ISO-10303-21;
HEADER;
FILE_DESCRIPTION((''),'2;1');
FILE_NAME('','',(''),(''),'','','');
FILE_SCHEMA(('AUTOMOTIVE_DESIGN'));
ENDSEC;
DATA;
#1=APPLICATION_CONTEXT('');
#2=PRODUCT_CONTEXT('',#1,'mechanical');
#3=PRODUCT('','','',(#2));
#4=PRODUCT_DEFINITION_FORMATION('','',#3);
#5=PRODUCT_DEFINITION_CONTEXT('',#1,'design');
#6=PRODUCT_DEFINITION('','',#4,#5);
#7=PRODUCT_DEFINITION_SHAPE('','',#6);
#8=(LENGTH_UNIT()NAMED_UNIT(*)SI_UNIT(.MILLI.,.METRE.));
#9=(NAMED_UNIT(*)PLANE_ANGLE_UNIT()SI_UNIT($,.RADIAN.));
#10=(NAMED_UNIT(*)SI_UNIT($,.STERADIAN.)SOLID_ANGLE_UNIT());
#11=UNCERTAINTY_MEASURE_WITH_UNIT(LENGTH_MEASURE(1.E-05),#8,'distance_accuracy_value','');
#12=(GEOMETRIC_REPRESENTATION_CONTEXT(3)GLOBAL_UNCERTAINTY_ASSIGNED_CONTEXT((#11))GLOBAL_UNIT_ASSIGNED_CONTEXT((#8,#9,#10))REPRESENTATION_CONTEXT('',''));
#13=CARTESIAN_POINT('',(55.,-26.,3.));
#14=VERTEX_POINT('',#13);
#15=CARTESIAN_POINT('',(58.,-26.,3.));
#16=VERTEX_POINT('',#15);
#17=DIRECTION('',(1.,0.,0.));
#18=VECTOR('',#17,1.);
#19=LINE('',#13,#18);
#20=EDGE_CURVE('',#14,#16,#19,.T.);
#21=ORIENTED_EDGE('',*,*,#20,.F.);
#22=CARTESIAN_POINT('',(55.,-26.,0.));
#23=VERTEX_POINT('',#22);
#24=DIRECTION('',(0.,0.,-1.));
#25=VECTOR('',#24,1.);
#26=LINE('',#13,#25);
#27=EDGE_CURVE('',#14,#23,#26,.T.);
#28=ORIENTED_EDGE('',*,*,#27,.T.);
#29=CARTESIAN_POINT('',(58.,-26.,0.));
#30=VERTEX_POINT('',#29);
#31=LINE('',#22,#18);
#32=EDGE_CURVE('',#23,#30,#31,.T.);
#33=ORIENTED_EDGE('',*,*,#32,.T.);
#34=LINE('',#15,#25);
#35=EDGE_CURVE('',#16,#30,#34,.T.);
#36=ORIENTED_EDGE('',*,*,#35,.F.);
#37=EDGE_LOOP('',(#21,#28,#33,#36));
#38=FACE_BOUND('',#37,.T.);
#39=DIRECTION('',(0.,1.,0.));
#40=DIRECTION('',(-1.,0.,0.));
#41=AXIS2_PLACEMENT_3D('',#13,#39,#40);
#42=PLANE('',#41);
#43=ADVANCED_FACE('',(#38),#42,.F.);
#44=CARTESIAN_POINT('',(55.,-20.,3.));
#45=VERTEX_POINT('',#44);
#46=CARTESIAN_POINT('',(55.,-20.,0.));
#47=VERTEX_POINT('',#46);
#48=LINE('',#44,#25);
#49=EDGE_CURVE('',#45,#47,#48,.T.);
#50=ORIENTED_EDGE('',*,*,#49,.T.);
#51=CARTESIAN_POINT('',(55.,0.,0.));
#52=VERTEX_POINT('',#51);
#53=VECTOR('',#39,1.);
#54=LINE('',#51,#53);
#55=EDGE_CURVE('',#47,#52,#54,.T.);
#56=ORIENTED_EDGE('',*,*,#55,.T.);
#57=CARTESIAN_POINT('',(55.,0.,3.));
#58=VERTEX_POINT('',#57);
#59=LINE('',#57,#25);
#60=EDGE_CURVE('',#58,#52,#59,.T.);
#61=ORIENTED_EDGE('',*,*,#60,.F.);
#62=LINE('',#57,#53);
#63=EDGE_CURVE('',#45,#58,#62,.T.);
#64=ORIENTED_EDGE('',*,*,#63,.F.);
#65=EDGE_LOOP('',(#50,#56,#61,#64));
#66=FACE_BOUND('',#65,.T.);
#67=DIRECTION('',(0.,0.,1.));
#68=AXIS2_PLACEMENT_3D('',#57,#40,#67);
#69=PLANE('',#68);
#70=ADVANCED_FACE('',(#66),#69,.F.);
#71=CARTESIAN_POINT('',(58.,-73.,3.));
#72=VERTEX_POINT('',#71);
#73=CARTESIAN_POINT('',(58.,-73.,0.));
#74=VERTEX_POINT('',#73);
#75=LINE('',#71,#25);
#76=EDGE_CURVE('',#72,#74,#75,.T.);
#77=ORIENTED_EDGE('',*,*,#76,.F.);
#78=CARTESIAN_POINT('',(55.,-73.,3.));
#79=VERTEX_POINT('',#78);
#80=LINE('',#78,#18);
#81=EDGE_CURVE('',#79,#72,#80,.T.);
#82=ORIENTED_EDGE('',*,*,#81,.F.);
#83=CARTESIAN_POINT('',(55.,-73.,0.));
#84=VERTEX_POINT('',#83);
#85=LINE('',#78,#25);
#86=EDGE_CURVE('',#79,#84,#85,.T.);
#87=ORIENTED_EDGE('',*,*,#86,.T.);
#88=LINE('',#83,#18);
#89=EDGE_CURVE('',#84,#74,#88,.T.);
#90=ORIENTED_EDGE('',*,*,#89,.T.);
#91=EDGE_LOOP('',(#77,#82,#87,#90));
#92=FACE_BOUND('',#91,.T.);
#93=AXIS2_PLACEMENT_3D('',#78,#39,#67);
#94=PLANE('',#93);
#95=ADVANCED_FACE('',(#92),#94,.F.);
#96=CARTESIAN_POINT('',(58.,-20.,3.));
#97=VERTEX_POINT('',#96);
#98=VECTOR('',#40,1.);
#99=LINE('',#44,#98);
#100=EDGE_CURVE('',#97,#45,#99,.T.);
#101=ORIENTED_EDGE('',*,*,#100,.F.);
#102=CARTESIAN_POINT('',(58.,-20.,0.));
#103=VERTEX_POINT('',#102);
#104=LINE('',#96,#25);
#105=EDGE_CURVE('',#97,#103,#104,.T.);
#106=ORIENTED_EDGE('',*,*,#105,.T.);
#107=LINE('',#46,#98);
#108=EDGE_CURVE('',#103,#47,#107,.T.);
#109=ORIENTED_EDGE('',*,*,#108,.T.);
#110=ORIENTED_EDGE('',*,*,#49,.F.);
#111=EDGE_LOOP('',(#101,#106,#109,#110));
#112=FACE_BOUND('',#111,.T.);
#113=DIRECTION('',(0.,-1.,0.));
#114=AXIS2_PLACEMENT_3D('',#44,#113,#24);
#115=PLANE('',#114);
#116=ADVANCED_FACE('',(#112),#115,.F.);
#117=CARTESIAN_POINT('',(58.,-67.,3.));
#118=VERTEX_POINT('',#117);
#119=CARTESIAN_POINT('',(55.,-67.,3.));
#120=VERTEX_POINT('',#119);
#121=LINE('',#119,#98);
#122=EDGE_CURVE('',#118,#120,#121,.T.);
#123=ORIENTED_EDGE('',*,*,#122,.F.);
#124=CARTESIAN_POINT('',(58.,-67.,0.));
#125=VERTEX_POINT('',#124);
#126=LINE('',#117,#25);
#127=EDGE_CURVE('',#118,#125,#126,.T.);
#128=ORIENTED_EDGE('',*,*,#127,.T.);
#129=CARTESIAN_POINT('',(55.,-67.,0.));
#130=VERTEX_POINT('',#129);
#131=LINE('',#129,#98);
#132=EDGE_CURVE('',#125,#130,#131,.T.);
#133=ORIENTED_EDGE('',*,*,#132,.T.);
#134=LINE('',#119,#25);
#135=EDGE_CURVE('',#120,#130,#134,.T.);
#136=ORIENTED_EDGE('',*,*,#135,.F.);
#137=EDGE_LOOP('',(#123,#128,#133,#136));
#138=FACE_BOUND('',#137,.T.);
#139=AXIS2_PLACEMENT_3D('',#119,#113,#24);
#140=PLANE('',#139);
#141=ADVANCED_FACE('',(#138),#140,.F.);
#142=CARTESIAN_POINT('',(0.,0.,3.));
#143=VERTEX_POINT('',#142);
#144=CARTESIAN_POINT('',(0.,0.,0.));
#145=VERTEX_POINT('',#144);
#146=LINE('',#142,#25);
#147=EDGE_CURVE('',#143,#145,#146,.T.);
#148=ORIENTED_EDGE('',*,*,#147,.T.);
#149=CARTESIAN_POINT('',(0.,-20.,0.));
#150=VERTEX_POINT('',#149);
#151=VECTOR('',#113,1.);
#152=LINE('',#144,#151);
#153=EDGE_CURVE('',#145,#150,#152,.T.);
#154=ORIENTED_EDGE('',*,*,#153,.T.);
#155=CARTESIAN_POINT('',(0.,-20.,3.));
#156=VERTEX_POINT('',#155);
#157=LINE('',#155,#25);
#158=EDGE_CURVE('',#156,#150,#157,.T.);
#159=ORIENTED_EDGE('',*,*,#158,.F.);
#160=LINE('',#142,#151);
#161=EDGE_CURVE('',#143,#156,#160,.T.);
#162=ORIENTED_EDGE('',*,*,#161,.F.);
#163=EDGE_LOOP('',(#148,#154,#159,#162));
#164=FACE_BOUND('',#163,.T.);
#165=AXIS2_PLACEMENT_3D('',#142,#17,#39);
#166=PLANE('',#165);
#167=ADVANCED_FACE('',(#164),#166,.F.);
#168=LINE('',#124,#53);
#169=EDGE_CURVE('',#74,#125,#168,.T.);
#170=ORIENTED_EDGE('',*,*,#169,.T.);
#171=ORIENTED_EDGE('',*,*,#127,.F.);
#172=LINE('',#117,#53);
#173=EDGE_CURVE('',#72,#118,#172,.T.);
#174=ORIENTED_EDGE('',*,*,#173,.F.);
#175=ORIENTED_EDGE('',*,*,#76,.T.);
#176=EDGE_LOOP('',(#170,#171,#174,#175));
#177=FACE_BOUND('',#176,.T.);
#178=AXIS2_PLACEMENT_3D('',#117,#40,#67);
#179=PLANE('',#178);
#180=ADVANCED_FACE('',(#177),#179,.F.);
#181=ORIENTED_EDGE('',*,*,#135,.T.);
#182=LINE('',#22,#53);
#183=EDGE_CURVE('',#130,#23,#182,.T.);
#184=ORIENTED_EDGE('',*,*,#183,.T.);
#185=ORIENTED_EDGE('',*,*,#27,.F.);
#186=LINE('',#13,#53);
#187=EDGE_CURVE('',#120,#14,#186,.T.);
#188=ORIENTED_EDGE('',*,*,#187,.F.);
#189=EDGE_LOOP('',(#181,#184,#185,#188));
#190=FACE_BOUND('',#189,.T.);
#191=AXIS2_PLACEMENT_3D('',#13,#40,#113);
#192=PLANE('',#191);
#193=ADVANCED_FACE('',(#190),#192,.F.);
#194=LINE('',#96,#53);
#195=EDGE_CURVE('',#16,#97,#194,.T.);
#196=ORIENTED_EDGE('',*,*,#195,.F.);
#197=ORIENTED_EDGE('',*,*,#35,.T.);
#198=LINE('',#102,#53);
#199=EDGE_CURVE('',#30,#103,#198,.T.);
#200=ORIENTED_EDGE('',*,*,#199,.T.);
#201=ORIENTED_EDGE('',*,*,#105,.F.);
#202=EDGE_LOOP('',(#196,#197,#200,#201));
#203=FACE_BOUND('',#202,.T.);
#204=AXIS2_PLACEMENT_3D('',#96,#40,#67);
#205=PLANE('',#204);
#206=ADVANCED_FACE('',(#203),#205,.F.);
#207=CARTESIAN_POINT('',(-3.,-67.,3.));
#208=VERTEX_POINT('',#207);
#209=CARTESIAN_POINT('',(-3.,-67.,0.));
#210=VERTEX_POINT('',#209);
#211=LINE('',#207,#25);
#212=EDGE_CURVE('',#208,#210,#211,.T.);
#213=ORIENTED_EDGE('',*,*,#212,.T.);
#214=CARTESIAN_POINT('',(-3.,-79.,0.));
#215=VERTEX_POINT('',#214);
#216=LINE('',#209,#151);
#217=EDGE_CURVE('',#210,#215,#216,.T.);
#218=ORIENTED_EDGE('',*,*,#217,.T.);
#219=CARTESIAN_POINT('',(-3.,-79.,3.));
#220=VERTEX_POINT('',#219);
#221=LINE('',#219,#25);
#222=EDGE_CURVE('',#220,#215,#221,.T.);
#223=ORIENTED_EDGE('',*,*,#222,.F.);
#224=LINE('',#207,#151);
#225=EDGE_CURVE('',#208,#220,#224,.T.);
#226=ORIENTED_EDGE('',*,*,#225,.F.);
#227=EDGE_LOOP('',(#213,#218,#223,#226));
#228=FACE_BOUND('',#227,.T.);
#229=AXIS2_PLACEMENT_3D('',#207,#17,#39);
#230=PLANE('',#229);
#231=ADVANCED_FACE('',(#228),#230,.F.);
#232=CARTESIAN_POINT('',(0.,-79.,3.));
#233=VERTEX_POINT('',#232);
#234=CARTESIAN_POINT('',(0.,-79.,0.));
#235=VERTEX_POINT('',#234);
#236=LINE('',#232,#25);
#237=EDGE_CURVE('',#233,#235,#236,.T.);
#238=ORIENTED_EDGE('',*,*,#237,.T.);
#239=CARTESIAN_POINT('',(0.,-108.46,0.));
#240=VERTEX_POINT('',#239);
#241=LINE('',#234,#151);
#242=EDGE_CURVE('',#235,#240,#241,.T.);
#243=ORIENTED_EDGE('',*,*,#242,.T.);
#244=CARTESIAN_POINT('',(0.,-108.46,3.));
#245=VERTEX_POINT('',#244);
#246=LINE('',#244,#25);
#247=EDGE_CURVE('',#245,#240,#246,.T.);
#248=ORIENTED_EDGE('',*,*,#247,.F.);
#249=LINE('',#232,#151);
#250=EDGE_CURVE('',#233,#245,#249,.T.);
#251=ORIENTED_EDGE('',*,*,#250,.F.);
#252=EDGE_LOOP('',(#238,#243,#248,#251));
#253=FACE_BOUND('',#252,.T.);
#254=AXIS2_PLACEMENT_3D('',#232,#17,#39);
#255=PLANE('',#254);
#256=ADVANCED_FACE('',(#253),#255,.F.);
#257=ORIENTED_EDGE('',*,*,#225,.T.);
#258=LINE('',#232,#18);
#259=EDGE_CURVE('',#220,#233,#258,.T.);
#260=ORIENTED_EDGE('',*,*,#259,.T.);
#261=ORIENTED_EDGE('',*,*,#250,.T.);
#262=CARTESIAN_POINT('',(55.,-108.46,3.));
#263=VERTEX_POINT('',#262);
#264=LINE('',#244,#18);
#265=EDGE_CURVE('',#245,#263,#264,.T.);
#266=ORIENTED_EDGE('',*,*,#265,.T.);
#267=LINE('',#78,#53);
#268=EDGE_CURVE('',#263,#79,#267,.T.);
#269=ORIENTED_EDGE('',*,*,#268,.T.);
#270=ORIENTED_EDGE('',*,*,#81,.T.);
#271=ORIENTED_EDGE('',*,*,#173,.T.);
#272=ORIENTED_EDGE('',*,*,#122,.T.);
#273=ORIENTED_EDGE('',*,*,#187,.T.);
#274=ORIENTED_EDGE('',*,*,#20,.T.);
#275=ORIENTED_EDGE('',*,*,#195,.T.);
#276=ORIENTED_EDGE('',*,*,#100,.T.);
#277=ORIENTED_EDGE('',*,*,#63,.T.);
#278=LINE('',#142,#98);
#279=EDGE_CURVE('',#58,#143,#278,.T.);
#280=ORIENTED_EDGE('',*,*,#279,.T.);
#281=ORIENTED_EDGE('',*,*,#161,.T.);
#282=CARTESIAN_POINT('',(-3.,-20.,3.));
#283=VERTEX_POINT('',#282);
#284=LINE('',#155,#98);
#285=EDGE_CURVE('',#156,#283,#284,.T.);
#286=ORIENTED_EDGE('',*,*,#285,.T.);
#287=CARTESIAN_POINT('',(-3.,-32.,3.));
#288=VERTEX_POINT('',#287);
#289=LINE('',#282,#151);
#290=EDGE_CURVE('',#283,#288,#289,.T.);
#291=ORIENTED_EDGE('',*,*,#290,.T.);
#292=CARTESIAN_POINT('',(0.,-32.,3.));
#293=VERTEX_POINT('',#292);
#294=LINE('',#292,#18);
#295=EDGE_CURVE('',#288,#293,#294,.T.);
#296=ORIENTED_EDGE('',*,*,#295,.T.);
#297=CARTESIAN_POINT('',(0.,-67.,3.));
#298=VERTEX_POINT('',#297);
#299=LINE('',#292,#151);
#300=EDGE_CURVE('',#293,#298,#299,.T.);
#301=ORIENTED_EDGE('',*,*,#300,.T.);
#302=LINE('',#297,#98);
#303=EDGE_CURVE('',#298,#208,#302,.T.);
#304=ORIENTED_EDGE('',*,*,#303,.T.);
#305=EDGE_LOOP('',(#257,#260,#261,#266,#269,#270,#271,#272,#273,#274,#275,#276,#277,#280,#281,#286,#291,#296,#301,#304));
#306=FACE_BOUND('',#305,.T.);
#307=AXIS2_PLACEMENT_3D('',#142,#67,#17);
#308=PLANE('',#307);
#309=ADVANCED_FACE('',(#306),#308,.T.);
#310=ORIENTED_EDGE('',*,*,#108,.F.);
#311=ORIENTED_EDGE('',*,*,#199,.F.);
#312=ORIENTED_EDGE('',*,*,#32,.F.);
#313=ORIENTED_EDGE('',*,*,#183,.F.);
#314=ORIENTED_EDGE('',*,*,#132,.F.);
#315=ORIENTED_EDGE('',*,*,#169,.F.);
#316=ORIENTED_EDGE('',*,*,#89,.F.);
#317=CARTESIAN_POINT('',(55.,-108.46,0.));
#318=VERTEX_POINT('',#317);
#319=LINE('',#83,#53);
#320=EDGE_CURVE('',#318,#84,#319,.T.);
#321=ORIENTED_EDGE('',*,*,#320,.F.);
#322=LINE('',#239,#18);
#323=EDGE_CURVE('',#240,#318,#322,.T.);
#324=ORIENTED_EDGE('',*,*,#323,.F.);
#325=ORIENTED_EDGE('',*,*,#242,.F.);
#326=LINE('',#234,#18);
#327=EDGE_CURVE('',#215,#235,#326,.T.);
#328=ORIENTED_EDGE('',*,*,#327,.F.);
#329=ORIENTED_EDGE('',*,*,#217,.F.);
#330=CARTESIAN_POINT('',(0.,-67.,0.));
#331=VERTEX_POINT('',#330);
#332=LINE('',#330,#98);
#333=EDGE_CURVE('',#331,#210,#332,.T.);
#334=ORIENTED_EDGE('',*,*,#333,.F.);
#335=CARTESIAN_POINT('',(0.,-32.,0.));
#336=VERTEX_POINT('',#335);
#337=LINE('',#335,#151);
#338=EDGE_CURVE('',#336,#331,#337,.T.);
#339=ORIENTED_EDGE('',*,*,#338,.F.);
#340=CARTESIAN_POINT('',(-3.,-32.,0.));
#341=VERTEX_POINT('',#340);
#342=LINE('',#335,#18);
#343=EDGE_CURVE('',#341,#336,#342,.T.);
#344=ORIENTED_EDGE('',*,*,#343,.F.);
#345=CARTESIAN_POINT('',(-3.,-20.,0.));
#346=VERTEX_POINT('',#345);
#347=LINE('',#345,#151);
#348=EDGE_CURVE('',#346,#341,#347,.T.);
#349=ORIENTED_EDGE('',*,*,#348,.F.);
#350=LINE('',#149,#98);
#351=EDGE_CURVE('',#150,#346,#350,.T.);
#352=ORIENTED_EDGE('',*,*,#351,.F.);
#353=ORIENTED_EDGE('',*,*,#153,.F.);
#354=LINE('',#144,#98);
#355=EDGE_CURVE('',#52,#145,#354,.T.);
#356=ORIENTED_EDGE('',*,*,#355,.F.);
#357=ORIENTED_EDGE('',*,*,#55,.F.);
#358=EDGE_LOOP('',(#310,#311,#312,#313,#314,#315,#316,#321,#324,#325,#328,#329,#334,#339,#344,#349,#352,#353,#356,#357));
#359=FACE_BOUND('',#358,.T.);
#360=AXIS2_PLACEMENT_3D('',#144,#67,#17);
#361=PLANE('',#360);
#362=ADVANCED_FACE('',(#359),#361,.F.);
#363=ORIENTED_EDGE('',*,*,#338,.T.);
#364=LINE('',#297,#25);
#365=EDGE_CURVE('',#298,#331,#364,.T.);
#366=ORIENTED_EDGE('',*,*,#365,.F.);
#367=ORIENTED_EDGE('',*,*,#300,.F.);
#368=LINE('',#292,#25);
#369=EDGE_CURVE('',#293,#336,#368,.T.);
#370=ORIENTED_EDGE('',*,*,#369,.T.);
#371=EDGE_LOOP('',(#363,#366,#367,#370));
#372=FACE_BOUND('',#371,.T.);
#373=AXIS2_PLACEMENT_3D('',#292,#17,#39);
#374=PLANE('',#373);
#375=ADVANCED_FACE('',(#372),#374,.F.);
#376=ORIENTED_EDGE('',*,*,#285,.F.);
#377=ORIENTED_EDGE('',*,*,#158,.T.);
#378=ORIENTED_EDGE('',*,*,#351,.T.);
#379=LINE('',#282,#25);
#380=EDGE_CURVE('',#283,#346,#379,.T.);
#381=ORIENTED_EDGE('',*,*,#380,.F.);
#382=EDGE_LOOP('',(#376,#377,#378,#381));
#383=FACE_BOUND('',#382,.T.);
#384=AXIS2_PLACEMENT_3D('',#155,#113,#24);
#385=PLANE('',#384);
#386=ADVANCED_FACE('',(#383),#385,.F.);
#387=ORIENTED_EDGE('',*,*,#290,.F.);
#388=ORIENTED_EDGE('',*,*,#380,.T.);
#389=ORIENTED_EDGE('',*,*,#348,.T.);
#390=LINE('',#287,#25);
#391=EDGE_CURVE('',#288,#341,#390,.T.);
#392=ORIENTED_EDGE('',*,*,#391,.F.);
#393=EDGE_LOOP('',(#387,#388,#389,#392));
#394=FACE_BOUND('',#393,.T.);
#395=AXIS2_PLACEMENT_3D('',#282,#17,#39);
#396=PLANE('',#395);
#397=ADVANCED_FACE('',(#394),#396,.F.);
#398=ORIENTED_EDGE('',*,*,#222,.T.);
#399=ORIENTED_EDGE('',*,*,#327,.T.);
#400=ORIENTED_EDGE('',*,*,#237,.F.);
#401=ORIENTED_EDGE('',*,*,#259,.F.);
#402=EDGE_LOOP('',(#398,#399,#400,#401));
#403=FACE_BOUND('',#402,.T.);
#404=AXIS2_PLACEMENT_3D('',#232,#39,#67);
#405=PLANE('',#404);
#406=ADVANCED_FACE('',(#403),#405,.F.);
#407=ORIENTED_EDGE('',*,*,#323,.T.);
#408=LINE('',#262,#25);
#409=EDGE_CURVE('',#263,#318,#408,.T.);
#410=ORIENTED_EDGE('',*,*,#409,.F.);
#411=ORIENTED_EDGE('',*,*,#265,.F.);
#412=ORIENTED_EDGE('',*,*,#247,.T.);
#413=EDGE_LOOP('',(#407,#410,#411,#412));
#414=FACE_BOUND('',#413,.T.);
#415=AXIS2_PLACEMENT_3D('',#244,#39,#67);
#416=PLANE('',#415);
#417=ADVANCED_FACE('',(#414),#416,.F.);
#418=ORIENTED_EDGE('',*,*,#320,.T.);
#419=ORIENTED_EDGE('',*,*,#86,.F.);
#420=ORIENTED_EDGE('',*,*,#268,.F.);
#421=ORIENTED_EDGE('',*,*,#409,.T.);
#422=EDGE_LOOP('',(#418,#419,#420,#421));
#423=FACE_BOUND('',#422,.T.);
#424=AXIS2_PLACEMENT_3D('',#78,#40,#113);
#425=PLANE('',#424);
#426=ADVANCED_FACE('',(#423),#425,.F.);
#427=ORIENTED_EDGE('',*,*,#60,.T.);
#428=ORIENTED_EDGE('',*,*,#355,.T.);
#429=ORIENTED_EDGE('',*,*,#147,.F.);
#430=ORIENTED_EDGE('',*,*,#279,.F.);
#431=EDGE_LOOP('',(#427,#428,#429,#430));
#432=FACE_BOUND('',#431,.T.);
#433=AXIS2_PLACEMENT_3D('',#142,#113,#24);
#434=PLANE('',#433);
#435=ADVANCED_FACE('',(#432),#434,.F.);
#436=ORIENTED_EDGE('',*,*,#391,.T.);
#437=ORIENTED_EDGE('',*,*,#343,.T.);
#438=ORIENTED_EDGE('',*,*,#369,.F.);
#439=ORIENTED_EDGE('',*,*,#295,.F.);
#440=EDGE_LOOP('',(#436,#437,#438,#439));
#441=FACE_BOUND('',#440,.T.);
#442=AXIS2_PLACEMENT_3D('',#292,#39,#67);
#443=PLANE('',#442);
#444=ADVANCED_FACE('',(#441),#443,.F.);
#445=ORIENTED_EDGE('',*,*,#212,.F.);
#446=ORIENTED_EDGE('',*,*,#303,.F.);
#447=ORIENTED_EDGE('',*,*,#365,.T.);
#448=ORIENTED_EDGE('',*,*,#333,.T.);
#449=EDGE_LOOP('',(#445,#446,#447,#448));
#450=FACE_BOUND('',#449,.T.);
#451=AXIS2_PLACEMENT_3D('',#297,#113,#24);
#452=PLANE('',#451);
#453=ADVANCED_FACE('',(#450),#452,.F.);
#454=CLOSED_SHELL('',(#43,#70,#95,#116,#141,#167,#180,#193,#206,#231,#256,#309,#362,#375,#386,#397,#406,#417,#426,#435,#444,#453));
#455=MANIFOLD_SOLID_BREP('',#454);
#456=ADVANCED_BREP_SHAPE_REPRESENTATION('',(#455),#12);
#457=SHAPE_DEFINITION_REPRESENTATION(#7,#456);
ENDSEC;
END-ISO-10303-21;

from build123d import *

# Parameters (mm, degrees)
P_IDAT_VYSUNUT_M1_DEPTH = 3


with BuildPart() as part:
    # Skica1 → Přidat vysunutím1 (new body)
    with BuildSketch(Plane.XY):
        Polygon((0, 0), (55, 0), (55, -20), (58, -20), (58, -26), (55, -26), (55, -67), (58, -67), (58, -73), (55, -73), (55, -108.46), (0, -108.46), (0, -79), (-3, -79), (-3, -67), (0, -67), (0, -32), (-3, -32), (-3, -20), (0, -20), align=None)
    extrude(amount=P_IDAT_VYSUNUT_M1_DEPTH)


solid = part.part
